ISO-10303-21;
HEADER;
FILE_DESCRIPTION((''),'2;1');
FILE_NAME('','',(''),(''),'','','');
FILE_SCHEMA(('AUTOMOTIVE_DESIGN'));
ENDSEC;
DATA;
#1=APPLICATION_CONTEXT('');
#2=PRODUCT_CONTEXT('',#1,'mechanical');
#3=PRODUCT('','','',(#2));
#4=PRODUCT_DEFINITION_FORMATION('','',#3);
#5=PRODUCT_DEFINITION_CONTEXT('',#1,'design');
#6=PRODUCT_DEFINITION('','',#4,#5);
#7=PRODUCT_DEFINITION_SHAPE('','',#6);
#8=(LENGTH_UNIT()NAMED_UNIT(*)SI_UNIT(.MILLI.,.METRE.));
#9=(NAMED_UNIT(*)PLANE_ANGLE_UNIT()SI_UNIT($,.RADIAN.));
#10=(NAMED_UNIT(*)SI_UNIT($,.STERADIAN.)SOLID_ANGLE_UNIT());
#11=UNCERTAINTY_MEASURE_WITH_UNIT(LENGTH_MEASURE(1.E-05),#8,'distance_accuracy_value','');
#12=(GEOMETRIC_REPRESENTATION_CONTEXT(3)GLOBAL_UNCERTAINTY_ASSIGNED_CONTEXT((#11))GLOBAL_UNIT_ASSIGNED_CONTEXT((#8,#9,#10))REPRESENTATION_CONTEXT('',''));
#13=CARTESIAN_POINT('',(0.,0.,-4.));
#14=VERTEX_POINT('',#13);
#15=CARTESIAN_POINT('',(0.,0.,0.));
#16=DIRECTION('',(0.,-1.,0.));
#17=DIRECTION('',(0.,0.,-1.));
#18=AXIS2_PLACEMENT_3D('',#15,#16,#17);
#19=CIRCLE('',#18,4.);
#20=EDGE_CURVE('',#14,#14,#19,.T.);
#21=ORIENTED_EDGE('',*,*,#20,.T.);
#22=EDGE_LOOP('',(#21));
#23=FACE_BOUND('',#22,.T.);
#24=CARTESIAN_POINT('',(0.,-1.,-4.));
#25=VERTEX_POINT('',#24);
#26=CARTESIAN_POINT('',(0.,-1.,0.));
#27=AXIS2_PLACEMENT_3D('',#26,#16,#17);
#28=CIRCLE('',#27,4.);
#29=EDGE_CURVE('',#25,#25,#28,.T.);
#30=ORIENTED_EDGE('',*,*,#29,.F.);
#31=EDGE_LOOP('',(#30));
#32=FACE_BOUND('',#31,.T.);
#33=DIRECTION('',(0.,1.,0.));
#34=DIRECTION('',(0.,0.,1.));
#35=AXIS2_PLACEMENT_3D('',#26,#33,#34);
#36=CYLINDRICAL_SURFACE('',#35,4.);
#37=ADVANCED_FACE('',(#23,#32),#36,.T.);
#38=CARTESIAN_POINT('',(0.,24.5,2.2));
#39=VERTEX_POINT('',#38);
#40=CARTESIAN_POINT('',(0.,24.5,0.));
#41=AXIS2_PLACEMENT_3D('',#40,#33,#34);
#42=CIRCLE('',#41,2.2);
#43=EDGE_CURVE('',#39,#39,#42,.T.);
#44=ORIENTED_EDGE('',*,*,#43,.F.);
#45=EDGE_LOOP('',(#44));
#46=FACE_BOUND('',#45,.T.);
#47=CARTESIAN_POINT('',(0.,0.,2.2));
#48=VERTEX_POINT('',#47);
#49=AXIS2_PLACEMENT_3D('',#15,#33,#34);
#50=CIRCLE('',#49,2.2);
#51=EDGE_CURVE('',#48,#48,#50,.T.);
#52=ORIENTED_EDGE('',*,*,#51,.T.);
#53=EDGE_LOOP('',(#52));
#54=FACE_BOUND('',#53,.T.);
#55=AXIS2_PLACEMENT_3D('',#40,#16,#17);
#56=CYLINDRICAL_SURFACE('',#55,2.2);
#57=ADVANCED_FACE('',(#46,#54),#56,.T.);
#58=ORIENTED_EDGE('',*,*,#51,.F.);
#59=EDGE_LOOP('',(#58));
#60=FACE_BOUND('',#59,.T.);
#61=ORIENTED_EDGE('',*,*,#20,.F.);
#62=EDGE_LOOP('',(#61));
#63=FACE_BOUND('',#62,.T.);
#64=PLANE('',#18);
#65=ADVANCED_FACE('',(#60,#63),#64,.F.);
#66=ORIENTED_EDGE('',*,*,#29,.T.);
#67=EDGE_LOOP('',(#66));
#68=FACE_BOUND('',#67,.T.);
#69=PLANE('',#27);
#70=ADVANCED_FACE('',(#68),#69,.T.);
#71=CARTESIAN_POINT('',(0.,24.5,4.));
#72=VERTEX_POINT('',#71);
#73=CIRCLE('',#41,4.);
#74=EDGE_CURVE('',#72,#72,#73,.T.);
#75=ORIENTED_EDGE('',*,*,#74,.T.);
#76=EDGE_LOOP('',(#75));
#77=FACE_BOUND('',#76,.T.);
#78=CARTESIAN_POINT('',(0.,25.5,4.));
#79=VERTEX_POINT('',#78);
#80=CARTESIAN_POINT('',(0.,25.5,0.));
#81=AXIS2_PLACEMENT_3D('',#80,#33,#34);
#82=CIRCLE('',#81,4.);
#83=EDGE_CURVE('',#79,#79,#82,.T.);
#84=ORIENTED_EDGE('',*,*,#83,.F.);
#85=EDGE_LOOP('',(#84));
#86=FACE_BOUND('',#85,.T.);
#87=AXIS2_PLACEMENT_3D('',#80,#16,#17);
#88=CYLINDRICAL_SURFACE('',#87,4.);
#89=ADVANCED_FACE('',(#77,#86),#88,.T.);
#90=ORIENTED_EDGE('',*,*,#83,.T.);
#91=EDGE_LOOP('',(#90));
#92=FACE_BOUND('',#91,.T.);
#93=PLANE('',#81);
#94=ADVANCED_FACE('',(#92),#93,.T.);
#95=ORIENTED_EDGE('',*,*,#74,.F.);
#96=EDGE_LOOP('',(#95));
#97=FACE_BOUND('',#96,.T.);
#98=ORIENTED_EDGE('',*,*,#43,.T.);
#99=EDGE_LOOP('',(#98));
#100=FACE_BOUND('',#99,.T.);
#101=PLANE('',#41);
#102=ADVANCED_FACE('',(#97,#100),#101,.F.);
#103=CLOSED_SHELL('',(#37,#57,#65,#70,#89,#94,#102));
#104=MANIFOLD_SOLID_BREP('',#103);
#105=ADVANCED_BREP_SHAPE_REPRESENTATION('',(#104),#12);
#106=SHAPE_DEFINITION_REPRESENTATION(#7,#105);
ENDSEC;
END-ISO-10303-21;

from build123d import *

# Parameters (mm, degrees)
SKETCH1_R           = 2.2
BOSS_EXTRUDE1_DEPTH = 24.5
SKETCH2_R           = 4
BOSS_EXTRUDE2_DEPTH = 1
BOSS_EXTRUDE3_START = 1
SKETCH3_R           = 4
BOSS_EXTRUDE3_DEPTH = 1


with BuildPart() as part:
    # Sketch1 → Boss-Extrude1 (new body)
    with BuildSketch(Plane(origin=(0, 0, 0), x_dir=(1, 0, 0), z_dir=(0, 1, 0))):
        with Locations(Location((0, 0, 0), (0, 0, 270))):
            Circle(SKETCH1_R)
    extrude(amount=BOSS_EXTRUDE1_DEPTH)

    # Sketch2 → Boss-Extrude2 (add)
    with BuildSketch(Plane(origin=(0, 24.5, 0), x_dir=(1, 0, 0), z_dir=(0, 1, 0))):
        with Locations(Location((0, 0, 0), (0, 0, 270))):
            Circle(SKETCH2_R)
    extrude(amount=BOSS_EXTRUDE2_DEPTH)

    # Sketch3 → Boss-Extrude3 (add)
    with BuildSketch(Plane.XZ.offset(BOSS_EXTRUDE3_START)):
        with Locations(Location((0, 0, 0), (0, 0, 90))):
            Circle(SKETCH3_R)
    extrude(amount=-BOSS_EXTRUDE3_DEPTH)


solid = part.part
